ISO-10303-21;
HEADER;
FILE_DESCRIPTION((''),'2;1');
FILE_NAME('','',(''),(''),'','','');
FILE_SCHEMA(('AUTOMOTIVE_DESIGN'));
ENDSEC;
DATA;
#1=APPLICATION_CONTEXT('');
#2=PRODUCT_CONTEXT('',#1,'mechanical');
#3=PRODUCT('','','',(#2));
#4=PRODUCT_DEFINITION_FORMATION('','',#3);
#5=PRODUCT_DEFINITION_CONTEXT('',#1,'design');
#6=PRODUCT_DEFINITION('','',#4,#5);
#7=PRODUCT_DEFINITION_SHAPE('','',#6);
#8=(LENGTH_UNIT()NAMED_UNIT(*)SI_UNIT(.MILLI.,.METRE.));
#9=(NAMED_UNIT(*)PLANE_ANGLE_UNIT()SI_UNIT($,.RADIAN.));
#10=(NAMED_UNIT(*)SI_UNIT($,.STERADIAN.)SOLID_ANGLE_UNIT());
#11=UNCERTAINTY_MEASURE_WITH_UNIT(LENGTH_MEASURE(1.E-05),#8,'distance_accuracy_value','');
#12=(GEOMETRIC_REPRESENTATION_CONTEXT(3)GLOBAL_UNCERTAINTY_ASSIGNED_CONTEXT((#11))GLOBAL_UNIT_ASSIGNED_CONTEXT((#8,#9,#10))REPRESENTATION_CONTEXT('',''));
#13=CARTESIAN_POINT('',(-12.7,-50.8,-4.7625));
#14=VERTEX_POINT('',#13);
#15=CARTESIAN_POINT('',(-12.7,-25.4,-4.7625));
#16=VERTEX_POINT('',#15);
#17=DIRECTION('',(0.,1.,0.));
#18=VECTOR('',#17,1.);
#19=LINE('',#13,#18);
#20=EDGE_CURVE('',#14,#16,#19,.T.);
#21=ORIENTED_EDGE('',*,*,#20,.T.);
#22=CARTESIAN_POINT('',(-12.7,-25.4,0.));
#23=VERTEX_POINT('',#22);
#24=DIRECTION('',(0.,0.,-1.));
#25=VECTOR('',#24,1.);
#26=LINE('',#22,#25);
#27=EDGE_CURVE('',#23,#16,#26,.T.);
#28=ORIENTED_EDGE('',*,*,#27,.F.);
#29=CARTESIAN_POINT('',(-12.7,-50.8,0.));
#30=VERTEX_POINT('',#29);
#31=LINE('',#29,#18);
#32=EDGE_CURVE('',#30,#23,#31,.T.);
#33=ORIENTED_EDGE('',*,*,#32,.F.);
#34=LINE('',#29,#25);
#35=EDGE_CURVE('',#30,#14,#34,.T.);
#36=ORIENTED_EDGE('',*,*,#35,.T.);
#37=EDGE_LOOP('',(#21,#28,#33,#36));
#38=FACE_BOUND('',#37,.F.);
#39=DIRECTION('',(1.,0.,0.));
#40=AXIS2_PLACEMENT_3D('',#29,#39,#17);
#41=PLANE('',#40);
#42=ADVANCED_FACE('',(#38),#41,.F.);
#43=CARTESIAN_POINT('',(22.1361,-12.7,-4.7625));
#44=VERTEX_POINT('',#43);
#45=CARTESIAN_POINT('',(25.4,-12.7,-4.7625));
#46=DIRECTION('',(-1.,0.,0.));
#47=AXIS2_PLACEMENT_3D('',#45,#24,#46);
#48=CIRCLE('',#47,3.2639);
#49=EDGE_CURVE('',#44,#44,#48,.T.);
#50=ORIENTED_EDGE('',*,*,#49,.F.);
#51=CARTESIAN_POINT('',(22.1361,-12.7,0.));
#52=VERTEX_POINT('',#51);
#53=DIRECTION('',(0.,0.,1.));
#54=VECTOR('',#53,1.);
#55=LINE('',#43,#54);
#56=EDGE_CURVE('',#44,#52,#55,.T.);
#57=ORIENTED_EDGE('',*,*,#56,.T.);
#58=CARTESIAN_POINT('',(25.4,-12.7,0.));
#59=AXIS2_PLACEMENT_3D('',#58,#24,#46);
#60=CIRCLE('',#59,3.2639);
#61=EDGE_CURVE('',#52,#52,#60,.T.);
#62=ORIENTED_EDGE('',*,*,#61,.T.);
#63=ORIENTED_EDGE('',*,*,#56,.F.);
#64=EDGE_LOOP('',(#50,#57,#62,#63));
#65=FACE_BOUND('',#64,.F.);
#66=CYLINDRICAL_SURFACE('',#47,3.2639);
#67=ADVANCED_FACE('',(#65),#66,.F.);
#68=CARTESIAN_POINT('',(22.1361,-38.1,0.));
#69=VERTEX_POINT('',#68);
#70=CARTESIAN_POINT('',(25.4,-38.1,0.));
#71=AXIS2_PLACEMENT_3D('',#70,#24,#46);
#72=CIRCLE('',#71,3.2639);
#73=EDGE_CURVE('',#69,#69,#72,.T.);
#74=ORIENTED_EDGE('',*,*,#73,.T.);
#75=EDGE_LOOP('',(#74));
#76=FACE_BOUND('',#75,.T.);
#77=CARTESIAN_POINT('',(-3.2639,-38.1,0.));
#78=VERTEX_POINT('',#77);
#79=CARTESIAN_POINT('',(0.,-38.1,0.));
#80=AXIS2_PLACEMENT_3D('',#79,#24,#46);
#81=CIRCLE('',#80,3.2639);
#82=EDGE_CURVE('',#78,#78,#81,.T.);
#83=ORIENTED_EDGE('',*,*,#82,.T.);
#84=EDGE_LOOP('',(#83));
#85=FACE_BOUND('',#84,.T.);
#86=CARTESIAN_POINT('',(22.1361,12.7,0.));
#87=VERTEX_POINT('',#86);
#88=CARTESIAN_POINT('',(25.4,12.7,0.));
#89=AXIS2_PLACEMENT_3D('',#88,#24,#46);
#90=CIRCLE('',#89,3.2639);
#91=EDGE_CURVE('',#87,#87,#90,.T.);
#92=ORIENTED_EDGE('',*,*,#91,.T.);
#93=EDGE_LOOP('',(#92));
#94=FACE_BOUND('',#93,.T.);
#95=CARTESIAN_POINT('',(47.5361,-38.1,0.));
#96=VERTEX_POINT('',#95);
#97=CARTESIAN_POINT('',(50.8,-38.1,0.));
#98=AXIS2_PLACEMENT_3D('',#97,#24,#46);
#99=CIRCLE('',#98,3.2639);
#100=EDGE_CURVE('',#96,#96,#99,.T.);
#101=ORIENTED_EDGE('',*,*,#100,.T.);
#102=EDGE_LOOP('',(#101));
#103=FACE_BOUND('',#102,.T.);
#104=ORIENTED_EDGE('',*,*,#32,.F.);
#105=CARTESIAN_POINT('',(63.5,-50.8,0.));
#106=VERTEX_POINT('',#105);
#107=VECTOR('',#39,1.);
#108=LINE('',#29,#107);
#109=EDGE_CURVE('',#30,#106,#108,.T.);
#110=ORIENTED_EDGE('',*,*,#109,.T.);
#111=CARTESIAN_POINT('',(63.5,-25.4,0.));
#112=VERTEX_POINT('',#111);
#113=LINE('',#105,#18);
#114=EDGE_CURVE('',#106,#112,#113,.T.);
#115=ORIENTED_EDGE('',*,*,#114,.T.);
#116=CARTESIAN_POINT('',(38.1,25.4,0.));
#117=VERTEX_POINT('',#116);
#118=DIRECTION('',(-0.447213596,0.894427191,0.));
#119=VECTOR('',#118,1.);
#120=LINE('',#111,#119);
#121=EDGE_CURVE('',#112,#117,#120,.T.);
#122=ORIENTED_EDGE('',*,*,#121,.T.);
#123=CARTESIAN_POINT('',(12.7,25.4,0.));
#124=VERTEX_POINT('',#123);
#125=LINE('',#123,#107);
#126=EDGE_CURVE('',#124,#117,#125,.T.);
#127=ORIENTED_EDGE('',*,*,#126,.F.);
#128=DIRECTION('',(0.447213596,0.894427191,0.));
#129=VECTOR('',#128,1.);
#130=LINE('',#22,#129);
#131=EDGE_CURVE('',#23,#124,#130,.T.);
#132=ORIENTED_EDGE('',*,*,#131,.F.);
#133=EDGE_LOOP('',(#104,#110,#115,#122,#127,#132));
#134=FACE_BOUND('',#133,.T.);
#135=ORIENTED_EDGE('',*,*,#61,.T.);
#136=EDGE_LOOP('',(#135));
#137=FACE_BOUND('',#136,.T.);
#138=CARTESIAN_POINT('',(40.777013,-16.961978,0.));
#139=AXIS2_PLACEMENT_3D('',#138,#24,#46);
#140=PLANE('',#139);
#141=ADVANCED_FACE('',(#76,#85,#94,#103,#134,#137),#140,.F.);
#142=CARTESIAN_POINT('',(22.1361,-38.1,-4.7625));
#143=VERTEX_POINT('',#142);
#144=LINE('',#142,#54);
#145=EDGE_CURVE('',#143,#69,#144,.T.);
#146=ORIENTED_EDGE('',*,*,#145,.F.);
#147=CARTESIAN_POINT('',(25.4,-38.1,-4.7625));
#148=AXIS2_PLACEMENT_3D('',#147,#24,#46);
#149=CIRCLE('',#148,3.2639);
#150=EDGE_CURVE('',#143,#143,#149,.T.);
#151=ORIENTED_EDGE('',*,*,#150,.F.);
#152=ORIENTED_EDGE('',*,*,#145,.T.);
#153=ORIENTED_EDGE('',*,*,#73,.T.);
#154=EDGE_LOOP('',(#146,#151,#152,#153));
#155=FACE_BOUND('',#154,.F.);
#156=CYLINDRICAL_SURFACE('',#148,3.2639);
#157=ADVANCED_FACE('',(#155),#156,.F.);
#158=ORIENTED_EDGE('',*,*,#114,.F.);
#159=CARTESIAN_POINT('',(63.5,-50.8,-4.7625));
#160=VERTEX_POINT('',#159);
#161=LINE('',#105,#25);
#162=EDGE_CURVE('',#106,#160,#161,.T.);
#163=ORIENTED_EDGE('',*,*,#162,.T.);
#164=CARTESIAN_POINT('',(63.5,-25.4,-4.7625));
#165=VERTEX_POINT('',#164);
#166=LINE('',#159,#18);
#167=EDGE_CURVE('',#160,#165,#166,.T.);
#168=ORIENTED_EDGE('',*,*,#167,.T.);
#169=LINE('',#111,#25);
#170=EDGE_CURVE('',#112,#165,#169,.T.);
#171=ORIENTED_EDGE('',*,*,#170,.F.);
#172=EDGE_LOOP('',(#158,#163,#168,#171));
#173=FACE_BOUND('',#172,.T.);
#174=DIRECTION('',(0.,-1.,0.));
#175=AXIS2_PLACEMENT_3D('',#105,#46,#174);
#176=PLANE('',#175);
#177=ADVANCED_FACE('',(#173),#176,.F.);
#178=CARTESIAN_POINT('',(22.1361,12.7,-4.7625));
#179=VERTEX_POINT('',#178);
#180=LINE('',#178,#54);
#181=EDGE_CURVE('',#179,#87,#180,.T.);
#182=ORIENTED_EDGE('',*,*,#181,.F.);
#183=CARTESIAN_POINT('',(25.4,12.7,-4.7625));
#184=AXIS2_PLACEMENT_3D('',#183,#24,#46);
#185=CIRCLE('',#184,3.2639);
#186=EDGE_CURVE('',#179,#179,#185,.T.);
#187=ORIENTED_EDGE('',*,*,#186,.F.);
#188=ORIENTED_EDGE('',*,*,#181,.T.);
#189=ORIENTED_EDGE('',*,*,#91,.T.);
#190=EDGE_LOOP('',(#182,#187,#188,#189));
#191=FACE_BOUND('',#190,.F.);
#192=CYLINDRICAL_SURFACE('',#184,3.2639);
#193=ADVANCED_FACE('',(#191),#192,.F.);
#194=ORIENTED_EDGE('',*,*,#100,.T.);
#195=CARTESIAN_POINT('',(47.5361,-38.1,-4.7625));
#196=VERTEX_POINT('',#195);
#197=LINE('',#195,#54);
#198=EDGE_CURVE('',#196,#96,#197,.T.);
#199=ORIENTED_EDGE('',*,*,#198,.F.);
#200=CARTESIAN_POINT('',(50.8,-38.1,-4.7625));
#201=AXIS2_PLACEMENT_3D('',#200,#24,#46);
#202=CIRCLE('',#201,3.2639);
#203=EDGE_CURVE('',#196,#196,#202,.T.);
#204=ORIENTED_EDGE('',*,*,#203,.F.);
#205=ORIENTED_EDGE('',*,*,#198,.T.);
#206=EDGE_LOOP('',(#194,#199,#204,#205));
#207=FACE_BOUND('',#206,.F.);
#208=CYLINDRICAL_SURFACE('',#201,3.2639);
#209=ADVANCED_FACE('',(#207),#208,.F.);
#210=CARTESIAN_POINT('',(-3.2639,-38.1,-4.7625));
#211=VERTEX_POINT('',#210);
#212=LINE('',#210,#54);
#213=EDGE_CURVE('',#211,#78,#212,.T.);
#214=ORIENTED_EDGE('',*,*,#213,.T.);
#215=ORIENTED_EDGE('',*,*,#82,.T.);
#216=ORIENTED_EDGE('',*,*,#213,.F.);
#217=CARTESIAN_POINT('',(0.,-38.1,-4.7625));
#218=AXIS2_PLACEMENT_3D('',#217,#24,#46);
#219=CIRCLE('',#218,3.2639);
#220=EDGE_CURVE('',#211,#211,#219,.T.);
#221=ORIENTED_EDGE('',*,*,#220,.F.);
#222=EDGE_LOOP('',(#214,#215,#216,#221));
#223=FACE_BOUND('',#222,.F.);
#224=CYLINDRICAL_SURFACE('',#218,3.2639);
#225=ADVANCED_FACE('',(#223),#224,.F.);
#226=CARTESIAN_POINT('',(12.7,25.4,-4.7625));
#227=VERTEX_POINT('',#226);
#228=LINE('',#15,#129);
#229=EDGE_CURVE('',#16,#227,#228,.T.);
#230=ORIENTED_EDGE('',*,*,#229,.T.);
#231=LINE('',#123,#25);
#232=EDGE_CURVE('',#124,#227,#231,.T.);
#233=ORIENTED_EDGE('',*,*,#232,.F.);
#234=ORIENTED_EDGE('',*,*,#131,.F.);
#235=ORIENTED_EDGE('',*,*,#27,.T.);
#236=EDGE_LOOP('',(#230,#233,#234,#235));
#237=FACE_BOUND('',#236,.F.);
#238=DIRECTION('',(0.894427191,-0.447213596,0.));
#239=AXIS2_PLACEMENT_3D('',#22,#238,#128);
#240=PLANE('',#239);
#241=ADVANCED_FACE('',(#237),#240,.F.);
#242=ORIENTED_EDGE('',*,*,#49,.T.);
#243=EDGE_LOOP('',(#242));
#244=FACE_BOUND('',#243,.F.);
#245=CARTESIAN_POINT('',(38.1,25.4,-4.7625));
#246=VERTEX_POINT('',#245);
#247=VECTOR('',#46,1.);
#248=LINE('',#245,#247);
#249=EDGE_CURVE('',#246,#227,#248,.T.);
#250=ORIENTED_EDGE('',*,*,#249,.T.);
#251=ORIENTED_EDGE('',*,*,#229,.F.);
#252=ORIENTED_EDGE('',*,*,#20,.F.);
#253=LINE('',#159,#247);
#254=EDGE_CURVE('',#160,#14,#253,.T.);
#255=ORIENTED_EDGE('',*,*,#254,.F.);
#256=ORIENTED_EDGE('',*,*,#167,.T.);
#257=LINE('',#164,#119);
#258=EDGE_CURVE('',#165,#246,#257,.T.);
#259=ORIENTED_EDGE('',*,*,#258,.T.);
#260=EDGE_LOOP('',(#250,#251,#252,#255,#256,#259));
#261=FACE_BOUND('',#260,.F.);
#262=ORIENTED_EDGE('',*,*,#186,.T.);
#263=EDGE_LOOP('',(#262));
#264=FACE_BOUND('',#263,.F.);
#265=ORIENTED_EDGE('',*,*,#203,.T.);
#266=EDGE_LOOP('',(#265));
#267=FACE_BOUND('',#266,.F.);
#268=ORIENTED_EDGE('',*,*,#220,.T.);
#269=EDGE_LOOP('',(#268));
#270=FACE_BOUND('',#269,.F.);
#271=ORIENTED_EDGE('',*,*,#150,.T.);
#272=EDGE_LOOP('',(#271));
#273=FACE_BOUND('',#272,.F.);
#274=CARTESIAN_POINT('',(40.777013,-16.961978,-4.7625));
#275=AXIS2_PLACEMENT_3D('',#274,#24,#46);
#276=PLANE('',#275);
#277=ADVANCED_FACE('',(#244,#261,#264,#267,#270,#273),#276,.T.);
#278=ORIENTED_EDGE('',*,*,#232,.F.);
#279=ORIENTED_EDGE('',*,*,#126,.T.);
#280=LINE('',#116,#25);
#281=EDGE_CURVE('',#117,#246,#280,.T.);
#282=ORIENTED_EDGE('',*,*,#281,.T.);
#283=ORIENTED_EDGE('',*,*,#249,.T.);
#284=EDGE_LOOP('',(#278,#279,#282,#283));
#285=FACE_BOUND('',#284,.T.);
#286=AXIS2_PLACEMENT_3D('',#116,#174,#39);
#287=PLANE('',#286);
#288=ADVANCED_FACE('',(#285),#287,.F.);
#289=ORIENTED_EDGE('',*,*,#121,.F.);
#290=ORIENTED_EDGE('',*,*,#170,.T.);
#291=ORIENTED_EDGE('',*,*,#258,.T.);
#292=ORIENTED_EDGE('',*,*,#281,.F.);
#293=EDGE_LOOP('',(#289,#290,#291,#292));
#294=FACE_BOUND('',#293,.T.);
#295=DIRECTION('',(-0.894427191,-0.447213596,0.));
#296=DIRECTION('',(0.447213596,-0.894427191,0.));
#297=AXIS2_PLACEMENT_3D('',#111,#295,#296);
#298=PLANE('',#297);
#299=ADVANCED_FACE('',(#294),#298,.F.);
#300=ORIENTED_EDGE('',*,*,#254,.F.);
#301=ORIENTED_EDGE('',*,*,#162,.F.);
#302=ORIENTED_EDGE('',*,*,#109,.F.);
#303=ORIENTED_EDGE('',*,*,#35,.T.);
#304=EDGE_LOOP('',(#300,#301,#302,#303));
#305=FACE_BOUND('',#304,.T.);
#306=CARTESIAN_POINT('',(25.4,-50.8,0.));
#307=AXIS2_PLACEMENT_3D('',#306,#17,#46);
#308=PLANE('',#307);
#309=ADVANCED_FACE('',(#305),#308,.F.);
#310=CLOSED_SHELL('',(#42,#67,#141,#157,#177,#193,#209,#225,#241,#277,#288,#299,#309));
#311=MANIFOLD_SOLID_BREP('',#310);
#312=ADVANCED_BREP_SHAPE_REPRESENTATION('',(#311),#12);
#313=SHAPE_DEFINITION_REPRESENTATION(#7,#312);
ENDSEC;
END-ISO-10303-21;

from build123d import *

# Parameters (mm, degrees)
EXTRUDE1_DEPTH   = 4.7625
SKETCH3_R        = 3.2639
SINGLE_TEE_DEPTH = 5.7625


with BuildPart() as part:
    # Sketch1 → Extrude1 (new body)
    with BuildSketch(Plane.XY):
        Polygon((12.7, 25.4), (25.4, 25.4), (25.4, -50.8), (-12.7, -50.8), (-12.7, -25.4), align=None)
    extrude(amount=-EXTRUDE1_DEPTH)

    # Mirror1: part across plane


with BuildPart() as part_1:
    add(part.part)
    add(part.part.mirror(Plane(origin=(25.4, 25.4, -4.7625), x_dir=(0, 0, 1), z_dir=(1, 0, 0))))

    # Sketch3 → single tee (cut, through all)
    with BuildSketch(Plane(origin=(0, 0, -4.7625), x_dir=(-1, 0, 0), z_dir=(0, 0, -1))):
        with Locations((-25.4, -38.1)):
            Circle(SKETCH3_R)
        with Locations((-25.4, -12.7)):
            Circle(SKETCH3_R)
        with Locations((-25.4, 12.7)):
            Circle(SKETCH3_R)
        with Locations((-50.8, -38.1)):
            Circle(SKETCH3_R)
        with Locations((0, -38.1)):
            Circle(SKETCH3_R)
    extrude(amount=-SINGLE_TEE_DEPTH, mode=Mode.SUBTRACT)


solid = part_1.part
